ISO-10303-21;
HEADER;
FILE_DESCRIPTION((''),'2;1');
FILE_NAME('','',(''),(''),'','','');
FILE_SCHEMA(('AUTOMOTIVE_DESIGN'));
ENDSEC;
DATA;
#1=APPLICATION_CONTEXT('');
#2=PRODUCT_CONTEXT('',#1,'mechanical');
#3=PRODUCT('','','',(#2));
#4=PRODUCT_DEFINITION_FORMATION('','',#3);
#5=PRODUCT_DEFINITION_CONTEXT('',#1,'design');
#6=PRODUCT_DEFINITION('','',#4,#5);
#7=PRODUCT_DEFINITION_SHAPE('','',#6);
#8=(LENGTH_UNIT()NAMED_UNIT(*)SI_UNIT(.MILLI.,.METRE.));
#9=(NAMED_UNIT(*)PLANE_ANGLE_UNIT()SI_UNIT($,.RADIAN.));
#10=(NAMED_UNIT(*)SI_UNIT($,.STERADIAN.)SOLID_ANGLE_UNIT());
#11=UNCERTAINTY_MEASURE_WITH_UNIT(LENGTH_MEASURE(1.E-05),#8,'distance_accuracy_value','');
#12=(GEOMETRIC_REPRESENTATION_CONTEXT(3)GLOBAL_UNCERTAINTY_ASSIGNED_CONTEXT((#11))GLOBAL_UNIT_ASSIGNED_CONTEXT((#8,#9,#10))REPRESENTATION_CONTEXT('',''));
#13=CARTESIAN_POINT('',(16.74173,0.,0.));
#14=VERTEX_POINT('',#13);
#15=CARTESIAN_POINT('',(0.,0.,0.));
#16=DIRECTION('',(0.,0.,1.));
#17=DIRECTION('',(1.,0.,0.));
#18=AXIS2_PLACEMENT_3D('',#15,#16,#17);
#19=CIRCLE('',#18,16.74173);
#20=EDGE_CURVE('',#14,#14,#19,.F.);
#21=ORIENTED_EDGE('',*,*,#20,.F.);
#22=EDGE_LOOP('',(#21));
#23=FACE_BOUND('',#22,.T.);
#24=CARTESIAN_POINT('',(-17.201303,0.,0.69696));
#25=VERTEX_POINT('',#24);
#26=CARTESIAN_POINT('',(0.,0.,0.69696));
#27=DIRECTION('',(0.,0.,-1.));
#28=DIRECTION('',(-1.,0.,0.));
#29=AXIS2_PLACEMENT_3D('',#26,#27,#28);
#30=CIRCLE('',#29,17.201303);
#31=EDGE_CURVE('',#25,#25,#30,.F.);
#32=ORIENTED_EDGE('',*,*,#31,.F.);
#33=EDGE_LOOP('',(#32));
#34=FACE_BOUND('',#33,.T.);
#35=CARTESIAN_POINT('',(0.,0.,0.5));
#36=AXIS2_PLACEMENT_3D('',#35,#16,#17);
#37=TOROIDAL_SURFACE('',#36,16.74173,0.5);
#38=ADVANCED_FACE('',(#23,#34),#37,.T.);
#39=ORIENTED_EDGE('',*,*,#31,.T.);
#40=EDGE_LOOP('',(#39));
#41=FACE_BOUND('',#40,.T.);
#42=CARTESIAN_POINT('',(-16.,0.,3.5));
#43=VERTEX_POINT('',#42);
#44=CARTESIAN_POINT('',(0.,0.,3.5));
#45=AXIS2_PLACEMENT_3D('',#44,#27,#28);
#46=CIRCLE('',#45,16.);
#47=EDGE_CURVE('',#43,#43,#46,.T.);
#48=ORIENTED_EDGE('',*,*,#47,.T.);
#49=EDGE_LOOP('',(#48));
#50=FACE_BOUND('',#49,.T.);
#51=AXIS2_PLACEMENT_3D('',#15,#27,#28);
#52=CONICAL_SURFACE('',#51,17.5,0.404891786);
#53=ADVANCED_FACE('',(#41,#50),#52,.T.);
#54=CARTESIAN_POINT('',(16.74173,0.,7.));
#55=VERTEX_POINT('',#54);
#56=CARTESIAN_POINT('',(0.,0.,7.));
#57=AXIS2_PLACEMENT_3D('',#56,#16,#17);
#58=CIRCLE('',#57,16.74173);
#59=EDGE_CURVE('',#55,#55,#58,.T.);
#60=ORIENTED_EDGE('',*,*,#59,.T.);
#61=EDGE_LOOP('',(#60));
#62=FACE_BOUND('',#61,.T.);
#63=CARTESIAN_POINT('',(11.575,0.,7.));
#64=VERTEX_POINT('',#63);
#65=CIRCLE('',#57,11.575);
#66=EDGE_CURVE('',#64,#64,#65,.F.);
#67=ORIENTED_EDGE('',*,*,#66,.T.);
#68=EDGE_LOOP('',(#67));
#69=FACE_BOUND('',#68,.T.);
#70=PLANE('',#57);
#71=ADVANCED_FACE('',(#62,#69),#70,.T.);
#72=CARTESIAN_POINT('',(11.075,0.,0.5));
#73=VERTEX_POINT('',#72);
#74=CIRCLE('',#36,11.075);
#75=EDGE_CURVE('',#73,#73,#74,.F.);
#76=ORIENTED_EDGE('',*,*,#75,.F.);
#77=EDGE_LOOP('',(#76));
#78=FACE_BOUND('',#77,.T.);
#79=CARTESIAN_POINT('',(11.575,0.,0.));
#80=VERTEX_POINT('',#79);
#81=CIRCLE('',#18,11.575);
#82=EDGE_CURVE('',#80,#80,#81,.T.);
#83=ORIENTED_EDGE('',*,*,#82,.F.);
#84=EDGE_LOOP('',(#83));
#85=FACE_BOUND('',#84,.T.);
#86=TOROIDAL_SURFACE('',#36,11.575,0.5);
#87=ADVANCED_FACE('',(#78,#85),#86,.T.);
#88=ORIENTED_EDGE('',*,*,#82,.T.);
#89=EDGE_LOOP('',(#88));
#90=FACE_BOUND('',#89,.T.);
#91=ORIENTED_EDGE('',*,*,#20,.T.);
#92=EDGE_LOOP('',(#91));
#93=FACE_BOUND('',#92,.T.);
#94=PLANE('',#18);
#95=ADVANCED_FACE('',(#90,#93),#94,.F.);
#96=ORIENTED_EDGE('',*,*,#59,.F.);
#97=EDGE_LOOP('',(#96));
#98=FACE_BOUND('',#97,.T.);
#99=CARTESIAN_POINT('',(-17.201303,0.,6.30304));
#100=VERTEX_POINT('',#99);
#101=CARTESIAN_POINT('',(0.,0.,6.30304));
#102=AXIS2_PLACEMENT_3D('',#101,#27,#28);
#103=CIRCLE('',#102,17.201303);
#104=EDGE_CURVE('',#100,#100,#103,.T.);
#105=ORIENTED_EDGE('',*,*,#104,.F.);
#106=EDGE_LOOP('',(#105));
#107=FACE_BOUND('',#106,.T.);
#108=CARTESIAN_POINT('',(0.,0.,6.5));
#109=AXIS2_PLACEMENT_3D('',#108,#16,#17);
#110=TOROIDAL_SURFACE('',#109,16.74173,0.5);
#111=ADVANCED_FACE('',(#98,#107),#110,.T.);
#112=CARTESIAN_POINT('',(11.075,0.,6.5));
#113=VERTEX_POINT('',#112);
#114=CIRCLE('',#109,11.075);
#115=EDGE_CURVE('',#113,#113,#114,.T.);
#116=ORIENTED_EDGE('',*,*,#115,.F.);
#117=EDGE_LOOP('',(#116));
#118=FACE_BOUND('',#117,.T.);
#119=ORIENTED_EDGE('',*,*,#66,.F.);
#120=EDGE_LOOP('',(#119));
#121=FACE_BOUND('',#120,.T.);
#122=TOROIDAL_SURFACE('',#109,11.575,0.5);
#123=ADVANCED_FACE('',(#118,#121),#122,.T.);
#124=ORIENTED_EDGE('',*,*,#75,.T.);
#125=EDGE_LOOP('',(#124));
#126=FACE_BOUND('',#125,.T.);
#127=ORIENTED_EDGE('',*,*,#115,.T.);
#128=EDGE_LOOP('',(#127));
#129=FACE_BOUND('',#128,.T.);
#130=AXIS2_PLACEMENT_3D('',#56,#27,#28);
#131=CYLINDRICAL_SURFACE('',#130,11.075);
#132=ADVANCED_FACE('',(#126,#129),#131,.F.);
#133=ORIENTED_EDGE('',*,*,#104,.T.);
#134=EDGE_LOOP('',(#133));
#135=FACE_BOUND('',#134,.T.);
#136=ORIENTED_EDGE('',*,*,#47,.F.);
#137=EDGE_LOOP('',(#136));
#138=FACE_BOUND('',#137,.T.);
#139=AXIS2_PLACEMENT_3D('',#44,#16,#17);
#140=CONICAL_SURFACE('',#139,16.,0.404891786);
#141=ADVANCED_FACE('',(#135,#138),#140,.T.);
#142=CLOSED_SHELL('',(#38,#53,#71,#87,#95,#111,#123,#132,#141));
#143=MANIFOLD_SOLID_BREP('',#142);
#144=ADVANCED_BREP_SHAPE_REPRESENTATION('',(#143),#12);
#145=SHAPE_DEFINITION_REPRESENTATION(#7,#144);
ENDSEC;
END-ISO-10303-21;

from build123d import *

# Parameters (mm, degrees)
SKETCH1_R           = 17.5
SKETCH1_R_2         = 11.075
BOSS_EXTRUDE1_DEPTH = 7
FILLET1_R           = 0.5
FILLET2_R           = 0.5


with BuildPart() as part:
    # Sketch1 → Boss-Extrude1 (new body)
    with BuildSketch(Plane.XY):
        Circle(SKETCH1_R)
        Circle(SKETCH1_R_2, mode=Mode.SUBTRACT)
    extrude(amount=BOSS_EXTRUDE1_DEPTH)

    # Sketch2 → Cut-Revolve1 (revolve, cut)
    with BuildSketch(Plane(origin=(0, 0, 0), x_dir=(1, 0, 0), z_dir=(0, 1, 0)), mode=Mode.PRIVATE) as cut_revolve1_sk:
        Polygon((17.5, 0), (16, -3.5), (17.5, -7), align=None)
    revolve(cut_revolve1_sk.sketch.rotate(Axis((0, 0, 0), (0, 0, 1)), 180), axis=Axis((0, 0, 0), (0, 0, 1)), mode=Mode.SUBTRACT)

    # Fillet1
    fillet1_edges = [part.edges().sort_by_distance(p)[0] for p in [
        (17.5, 0, 7),
        (17.5, 0, 0),
    ]]
    fillet(fillet1_edges, radius=FILLET1_R)

    # Fillet2
    fillet2_edges = [part.edges().sort_by_distance(p)[0] for p in [
        (-11.075, 0, 0),
        (-11.075, 0, 7),
    ]]
    fillet(fillet2_edges, radius=FILLET2_R)


solid = part.part
